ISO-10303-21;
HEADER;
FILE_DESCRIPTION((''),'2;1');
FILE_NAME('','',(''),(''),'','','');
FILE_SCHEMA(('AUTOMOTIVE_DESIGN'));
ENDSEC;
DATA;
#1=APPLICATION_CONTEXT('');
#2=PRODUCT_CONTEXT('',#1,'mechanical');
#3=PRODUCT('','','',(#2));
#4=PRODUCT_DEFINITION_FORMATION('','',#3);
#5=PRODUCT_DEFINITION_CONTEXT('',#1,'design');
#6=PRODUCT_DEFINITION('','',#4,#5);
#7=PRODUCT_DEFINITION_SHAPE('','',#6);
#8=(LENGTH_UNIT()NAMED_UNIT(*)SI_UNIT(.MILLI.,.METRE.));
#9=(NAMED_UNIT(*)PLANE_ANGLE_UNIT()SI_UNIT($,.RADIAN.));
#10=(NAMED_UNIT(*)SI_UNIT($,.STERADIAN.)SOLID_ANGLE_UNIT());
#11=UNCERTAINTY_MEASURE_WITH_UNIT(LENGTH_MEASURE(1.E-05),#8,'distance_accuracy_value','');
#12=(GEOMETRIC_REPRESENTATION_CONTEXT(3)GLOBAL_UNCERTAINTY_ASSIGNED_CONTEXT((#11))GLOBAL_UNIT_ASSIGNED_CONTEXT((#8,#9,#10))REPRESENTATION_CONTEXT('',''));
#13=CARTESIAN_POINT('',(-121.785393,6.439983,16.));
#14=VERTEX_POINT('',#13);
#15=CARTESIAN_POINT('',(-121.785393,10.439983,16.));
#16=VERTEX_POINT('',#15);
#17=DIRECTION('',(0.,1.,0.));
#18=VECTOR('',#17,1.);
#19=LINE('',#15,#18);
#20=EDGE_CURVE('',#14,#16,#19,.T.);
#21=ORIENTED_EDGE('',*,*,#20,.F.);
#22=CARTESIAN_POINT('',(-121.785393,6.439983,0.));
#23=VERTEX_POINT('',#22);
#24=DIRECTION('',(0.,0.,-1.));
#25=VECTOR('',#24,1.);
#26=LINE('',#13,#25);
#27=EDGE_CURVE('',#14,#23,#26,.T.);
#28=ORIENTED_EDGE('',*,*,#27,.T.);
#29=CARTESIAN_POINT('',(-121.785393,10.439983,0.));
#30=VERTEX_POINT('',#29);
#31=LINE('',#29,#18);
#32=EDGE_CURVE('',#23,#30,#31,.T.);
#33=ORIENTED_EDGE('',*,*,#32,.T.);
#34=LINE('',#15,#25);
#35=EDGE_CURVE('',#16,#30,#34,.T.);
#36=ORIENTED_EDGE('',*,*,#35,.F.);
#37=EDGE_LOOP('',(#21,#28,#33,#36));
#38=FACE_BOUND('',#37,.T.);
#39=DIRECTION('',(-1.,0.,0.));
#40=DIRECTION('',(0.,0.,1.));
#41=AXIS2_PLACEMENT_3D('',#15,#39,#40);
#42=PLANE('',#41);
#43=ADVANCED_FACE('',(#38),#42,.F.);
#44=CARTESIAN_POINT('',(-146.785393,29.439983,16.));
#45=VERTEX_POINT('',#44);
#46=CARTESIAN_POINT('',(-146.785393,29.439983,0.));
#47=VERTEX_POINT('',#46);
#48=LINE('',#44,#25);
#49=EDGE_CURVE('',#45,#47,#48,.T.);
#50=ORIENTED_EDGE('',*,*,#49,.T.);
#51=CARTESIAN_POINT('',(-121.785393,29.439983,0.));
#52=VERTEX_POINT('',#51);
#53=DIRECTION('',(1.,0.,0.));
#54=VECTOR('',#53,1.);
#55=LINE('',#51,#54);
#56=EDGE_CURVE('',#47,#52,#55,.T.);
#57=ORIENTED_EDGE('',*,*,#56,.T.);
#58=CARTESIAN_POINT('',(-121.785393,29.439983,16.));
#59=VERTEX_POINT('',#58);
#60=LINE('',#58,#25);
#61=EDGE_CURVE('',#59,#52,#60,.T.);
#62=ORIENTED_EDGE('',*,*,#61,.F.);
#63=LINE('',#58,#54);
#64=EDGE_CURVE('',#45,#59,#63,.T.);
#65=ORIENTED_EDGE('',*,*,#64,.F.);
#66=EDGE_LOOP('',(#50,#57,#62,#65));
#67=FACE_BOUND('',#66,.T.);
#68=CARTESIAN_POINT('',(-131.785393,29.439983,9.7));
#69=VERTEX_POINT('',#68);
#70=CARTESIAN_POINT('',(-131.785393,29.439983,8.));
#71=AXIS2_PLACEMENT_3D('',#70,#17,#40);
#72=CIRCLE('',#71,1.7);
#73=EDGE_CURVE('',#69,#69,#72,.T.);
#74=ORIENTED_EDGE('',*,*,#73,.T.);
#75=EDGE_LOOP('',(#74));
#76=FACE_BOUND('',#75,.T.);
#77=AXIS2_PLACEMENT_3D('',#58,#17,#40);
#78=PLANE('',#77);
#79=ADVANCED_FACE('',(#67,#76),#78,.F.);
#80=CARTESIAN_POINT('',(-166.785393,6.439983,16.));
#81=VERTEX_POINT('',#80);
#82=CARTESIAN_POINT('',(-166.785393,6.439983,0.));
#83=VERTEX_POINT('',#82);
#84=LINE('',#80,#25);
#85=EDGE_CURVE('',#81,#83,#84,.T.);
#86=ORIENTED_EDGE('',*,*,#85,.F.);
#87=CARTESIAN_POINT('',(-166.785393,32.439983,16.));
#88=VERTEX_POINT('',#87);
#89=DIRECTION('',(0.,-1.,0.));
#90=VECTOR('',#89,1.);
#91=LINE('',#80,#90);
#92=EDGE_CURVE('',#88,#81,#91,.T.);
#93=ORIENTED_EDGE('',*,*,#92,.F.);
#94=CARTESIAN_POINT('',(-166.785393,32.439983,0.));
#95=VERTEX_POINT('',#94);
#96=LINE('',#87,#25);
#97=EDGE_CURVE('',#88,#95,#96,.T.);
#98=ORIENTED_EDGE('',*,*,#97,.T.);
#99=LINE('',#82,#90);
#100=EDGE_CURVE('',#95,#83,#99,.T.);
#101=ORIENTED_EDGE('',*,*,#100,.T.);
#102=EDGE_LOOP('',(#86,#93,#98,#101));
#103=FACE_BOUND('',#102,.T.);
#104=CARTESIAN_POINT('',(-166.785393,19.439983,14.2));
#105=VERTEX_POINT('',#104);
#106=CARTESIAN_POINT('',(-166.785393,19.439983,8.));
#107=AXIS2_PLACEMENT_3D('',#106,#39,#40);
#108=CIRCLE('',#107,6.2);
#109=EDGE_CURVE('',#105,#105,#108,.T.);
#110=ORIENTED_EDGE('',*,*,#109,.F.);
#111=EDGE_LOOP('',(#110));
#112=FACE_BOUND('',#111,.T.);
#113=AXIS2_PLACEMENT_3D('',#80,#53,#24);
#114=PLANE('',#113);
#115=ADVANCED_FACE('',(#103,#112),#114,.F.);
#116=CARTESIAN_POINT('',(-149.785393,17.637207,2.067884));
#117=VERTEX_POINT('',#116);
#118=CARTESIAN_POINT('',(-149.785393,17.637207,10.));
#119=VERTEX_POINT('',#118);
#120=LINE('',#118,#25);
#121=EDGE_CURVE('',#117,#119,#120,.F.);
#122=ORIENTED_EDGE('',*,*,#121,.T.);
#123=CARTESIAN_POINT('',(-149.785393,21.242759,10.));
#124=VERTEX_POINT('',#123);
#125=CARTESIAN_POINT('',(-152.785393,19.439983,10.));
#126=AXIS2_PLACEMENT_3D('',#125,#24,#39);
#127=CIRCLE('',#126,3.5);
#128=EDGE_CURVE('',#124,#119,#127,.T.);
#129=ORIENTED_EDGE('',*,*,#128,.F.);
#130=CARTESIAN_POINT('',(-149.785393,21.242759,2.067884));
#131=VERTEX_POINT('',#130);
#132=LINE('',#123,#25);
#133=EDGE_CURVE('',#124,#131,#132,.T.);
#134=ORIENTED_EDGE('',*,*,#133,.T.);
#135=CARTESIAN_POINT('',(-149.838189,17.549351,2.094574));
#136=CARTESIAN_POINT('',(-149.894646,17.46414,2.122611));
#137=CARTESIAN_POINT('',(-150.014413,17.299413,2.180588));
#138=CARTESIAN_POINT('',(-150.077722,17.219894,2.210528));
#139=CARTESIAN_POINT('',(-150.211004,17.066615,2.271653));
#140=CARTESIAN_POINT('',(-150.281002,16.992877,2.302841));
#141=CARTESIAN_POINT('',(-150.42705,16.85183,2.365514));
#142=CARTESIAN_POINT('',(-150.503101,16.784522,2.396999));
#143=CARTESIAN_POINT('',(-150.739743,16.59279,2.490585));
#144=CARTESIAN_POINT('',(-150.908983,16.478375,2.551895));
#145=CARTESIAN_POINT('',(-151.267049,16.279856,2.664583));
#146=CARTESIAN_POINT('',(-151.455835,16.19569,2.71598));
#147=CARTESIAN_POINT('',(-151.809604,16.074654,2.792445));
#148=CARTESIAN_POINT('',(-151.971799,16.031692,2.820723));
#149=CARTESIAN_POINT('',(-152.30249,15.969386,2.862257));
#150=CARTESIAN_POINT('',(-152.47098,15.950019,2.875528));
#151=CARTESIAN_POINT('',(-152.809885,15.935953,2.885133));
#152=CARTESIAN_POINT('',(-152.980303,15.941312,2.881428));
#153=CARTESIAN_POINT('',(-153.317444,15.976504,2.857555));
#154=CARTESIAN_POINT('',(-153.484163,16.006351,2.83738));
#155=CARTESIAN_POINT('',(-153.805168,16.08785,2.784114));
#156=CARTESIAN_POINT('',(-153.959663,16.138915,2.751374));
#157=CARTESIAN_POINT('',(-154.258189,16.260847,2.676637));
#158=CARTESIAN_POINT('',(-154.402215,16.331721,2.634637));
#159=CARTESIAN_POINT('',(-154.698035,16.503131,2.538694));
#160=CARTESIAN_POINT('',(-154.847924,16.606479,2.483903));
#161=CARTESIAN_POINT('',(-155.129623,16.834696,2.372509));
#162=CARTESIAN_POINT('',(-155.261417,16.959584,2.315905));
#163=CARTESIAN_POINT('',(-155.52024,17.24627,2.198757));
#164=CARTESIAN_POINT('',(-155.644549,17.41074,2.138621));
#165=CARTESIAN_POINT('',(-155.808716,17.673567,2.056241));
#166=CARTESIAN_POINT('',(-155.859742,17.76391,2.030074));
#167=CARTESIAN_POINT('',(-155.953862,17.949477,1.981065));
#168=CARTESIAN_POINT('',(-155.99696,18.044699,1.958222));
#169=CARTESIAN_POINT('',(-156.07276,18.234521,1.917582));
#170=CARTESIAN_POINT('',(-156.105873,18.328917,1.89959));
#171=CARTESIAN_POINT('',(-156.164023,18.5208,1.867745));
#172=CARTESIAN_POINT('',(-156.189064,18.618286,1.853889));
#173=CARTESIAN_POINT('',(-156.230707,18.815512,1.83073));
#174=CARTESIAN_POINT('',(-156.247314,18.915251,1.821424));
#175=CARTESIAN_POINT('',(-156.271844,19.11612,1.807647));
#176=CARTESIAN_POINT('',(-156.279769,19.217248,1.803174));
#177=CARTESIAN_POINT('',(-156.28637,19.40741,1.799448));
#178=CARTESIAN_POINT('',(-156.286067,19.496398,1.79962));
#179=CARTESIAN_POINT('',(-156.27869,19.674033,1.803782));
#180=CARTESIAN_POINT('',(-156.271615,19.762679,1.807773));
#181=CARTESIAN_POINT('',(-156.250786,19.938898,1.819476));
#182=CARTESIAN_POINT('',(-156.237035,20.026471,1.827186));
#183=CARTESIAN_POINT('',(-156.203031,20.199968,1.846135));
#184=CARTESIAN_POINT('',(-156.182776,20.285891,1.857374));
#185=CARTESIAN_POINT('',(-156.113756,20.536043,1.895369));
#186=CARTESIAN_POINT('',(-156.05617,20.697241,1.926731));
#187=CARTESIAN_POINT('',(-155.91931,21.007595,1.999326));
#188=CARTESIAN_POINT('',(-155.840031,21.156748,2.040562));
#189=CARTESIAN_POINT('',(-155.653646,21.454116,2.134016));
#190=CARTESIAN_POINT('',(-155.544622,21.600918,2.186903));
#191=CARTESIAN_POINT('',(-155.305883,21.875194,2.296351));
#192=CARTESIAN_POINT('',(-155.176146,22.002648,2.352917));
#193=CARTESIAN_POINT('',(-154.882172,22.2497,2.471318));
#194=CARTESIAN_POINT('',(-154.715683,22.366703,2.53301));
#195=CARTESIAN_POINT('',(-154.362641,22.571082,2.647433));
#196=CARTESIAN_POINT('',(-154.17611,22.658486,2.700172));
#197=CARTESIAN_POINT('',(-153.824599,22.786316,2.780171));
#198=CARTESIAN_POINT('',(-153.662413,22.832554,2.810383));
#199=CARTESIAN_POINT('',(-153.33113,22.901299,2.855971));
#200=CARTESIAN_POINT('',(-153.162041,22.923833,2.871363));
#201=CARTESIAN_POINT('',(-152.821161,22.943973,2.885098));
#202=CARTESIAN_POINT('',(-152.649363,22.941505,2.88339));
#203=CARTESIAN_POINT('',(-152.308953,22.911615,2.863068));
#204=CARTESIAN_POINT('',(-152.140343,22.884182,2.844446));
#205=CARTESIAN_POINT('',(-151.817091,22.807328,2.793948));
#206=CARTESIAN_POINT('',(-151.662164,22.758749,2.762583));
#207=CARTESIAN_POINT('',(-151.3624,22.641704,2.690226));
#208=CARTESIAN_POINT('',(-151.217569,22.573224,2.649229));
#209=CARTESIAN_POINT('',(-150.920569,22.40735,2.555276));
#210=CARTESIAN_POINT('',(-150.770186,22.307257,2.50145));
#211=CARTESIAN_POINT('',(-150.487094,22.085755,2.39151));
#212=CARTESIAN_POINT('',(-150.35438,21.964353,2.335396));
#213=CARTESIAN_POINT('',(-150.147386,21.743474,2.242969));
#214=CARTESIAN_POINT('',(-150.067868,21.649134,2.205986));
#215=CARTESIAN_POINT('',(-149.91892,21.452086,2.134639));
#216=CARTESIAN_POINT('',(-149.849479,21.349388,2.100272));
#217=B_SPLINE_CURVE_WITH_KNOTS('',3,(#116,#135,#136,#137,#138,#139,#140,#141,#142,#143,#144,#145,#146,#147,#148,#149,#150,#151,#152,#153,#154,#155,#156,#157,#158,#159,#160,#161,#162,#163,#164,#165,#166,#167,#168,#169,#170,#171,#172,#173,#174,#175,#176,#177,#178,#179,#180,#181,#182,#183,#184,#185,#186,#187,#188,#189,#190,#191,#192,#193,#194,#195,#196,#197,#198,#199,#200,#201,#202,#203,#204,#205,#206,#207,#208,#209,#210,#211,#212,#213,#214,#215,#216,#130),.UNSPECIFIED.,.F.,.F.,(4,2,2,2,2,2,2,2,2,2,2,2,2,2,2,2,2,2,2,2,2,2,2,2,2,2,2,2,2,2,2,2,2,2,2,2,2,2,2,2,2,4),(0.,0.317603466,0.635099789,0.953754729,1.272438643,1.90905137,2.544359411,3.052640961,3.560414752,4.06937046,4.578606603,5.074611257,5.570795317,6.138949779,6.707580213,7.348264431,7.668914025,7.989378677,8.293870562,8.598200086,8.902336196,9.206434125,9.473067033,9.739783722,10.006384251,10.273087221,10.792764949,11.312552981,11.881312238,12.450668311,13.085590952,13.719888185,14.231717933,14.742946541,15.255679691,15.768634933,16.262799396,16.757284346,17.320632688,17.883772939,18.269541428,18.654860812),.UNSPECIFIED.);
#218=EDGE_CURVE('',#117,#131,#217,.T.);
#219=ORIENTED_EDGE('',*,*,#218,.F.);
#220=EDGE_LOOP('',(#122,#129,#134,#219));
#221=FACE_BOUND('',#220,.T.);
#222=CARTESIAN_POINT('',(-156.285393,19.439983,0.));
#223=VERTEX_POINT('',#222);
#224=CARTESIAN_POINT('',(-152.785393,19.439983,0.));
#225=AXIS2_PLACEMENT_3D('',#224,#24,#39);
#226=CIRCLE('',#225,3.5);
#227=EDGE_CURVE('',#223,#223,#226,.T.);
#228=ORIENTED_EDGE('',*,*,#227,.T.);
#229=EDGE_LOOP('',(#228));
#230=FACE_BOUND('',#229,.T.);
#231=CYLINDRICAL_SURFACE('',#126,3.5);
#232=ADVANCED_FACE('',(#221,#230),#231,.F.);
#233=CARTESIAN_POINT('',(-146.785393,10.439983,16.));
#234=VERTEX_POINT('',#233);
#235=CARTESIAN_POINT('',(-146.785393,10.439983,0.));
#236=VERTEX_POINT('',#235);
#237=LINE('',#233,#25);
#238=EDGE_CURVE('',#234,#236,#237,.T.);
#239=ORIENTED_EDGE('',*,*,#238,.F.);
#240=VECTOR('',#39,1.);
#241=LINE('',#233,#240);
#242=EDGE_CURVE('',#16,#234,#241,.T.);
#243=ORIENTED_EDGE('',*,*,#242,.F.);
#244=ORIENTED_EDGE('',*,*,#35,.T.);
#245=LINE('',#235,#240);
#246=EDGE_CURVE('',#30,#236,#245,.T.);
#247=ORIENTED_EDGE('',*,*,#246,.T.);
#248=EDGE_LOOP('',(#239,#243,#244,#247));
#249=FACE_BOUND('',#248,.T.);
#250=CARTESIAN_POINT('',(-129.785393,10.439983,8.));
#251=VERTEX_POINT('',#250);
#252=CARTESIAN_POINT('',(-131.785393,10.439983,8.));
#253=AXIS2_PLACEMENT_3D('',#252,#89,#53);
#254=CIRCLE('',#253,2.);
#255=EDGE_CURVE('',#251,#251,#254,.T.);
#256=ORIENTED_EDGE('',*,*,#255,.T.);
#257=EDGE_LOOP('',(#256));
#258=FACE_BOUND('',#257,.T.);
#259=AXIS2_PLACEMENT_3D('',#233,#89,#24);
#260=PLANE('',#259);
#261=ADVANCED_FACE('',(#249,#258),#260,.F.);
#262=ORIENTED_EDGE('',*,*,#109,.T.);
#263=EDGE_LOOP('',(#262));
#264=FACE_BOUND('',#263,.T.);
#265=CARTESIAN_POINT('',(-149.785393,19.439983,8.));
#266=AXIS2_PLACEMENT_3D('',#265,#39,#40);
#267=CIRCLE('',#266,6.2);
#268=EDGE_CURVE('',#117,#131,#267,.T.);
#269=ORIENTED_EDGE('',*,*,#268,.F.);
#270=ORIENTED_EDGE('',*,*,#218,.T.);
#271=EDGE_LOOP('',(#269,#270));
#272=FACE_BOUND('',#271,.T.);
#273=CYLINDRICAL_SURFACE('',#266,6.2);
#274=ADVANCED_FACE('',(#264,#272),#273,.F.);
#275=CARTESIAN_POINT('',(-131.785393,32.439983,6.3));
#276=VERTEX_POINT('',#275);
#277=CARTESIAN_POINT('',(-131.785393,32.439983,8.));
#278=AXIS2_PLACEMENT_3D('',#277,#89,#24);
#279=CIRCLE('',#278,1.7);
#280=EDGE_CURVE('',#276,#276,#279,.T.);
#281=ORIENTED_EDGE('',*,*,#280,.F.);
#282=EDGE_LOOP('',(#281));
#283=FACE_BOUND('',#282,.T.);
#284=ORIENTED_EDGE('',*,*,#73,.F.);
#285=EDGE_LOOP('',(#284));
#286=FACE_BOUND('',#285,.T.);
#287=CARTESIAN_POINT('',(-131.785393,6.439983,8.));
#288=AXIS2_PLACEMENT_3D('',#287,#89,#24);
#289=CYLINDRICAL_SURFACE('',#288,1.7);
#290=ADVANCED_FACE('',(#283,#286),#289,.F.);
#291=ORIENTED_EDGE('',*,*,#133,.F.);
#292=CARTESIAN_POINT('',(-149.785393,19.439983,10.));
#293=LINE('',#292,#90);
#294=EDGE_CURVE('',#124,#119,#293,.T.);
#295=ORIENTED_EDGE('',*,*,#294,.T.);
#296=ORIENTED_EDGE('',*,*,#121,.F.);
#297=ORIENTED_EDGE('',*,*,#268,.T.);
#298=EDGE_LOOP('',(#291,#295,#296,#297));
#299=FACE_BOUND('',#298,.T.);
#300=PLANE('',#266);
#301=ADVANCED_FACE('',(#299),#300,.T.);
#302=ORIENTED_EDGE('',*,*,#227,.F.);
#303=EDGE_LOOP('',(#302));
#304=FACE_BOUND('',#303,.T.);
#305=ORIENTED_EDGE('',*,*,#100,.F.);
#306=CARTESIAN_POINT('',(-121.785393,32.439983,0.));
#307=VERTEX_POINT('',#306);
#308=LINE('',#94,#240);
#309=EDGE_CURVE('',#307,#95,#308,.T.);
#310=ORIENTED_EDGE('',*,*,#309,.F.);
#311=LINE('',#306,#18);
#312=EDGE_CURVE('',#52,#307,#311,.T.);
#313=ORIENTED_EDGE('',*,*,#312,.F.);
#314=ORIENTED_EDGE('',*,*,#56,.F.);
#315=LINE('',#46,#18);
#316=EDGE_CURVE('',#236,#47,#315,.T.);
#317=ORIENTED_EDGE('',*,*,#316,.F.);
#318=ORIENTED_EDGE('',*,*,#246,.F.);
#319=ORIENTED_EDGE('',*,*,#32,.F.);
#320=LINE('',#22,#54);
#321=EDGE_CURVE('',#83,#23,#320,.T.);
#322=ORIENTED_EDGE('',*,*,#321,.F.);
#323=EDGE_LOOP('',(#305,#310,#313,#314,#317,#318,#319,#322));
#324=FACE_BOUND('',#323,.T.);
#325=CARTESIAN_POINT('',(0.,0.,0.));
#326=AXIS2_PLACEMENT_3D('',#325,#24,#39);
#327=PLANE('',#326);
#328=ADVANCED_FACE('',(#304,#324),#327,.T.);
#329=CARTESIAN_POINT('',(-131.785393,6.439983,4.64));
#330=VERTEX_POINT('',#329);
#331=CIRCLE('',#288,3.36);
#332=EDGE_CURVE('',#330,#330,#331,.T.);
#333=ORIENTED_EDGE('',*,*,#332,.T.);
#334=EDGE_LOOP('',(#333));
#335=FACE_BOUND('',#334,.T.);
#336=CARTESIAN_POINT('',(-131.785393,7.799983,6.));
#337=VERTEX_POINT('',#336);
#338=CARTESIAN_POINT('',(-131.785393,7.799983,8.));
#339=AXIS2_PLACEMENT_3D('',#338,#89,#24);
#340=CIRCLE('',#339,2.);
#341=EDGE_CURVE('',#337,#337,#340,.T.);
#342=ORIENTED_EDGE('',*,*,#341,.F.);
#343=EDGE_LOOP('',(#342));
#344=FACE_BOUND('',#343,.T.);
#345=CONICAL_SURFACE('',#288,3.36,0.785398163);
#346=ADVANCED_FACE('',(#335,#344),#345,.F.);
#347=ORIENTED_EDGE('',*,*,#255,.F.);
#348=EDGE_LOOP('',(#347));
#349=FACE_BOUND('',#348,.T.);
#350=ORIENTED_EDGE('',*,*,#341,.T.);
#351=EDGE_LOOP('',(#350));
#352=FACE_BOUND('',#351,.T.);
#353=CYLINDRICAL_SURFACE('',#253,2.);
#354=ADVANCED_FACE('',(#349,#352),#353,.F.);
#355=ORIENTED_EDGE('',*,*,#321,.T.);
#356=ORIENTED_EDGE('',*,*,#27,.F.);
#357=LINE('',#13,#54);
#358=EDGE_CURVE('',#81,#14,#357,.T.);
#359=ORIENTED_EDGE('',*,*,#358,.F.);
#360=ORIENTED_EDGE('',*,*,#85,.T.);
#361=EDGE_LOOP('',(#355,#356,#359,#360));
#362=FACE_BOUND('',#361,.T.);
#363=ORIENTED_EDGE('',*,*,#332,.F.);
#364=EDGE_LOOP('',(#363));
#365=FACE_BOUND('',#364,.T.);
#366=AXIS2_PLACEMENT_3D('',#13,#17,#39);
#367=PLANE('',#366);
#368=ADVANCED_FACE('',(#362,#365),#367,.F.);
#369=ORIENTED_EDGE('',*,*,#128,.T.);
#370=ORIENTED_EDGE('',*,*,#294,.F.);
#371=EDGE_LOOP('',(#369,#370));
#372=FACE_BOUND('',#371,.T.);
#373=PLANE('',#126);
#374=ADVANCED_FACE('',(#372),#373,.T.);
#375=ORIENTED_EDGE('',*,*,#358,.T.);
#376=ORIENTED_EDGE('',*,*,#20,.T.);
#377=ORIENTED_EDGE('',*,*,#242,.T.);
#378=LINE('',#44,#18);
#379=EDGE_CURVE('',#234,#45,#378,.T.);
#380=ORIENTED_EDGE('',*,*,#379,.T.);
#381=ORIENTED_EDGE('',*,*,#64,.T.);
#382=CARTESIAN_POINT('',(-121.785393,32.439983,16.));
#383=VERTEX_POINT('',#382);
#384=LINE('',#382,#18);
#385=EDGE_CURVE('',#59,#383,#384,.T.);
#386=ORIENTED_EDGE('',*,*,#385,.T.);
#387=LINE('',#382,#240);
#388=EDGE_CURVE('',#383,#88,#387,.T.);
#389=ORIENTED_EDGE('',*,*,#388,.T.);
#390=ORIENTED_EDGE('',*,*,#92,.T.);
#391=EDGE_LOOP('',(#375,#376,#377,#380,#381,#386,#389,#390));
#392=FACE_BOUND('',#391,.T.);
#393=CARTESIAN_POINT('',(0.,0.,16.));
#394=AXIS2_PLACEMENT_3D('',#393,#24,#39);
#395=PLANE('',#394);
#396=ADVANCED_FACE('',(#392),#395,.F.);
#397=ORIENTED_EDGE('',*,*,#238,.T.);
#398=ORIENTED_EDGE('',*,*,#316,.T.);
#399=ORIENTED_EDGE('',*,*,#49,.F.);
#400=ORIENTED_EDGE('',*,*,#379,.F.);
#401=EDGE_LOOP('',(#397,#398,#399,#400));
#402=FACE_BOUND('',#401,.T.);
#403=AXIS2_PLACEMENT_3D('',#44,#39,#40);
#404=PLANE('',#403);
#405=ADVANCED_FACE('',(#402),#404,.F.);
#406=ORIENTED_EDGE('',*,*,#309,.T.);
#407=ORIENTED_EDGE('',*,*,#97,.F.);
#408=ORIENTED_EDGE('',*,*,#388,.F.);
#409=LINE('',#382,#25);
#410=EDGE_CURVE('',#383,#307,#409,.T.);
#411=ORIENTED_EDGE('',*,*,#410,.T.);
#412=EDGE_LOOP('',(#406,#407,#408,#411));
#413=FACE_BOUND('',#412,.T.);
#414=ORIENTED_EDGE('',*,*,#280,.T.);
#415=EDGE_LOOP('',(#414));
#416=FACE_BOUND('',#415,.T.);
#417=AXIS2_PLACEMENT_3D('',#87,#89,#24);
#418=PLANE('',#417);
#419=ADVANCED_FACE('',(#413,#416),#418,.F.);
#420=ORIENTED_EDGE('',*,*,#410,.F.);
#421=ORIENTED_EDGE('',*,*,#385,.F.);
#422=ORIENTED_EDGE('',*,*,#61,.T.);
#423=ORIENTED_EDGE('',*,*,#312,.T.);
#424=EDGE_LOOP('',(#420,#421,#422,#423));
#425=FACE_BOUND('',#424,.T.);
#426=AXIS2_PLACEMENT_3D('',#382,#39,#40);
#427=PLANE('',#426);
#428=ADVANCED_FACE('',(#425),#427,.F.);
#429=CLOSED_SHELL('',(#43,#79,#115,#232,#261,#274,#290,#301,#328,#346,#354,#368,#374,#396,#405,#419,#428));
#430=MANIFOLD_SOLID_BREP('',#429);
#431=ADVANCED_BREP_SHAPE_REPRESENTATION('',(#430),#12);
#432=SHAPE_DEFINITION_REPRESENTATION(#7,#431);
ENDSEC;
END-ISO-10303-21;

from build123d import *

# Parameters (mm, degrees)
SALIENTE_EXTRUIR1_DEPTH                              = 16
CROQUIS2_R                                           = 6.2
CORTAR_EXTRUIR1_DEPTH                                = 17
CROQUIS3_R                                           = 2
CORTAR_EXTRUIR2_DEPTH                                = 4
REFRENTADO_PARA_TORNILLO_TAP_N_CON_CABEZ_D           = 3.4
REFRENTADO_PARA_TORNILLO_TAP_N_CON_CABEZ_CSINK_D     = 6.72
REFRENTADO_PARA_TORNILLO_TAP_N_CON_CABEZ_CSINK_ANGLE = 90
CROQUIS6_R                                           = 3.5
CORTAR_EXTRUIR3_DEPTH                                = 10


with BuildPart() as part:
    # Croquis1 → Saliente-Extruir1 (new body)
    with BuildSketch(Plane.XY):
        Polygon((-121.785392746, 32.439983022), (-153.785392746, 32.439983022), (-166.785392746, 32.439983022), (-166.785392746, 6.439983022), (-121.785392746, 6.439983022), (-121.785392746, 10.439983022), (-146.785392746, 10.439983022), (-146.785392746, 29.439983022), (-121.785392746, 29.439983022), align=None)
    extrude(amount=SALIENTE_EXTRUIR1_DEPTH)

    # Croquis2 → Cortar-Extruir1 (cut)
    with BuildSketch(Plane.ZY.offset(166.785392746)):
        with Locations((8, 19.439983022)):
            Circle(CROQUIS2_R)
    extrude(amount=-CORTAR_EXTRUIR1_DEPTH, mode=Mode.SUBTRACT)

    # Croquis3 → Cortar-Extruir2 (cut)
    with BuildSketch(Plane.XZ.offset(-6.439983022)):
        with Locations((-131.785392746, 8)):
            Circle(CROQUIS3_R)
    extrude(amount=-CORTAR_EXTRUIR2_DEPTH, mode=Mode.SUBTRACT)

    # Refrentado para tornillo tapón con cabeza plana de clavija de M31 (through all)
    with Locations(Plane(origin=(0, 6.439983022, 0), x_dir=(-1, 0, 0), z_dir=(0, -1, 0))):
        with Locations((131.785392746, -8)):
            CounterSinkHole(REFRENTADO_PARA_TORNILLO_TAP_N_CON_CABEZ_D / 2, REFRENTADO_PARA_TORNILLO_TAP_N_CON_CABEZ_CSINK_D / 2, counter_sink_angle=REFRENTADO_PARA_TORNILLO_TAP_N_CON_CABEZ_CSINK_ANGLE)

    # Croquis6 → Cortar-Extruir3 (cut)
    with BuildSketch(Plane(origin=(0, 0, 0), x_dir=(-1, 0, 0), z_dir=(0, 0, -1))):
        with Locations((152.785392746, 19.439983022)):
            Circle(CROQUIS6_R)
    extrude(amount=-CORTAR_EXTRUIR3_DEPTH, mode=Mode.SUBTRACT)


solid = part.part
